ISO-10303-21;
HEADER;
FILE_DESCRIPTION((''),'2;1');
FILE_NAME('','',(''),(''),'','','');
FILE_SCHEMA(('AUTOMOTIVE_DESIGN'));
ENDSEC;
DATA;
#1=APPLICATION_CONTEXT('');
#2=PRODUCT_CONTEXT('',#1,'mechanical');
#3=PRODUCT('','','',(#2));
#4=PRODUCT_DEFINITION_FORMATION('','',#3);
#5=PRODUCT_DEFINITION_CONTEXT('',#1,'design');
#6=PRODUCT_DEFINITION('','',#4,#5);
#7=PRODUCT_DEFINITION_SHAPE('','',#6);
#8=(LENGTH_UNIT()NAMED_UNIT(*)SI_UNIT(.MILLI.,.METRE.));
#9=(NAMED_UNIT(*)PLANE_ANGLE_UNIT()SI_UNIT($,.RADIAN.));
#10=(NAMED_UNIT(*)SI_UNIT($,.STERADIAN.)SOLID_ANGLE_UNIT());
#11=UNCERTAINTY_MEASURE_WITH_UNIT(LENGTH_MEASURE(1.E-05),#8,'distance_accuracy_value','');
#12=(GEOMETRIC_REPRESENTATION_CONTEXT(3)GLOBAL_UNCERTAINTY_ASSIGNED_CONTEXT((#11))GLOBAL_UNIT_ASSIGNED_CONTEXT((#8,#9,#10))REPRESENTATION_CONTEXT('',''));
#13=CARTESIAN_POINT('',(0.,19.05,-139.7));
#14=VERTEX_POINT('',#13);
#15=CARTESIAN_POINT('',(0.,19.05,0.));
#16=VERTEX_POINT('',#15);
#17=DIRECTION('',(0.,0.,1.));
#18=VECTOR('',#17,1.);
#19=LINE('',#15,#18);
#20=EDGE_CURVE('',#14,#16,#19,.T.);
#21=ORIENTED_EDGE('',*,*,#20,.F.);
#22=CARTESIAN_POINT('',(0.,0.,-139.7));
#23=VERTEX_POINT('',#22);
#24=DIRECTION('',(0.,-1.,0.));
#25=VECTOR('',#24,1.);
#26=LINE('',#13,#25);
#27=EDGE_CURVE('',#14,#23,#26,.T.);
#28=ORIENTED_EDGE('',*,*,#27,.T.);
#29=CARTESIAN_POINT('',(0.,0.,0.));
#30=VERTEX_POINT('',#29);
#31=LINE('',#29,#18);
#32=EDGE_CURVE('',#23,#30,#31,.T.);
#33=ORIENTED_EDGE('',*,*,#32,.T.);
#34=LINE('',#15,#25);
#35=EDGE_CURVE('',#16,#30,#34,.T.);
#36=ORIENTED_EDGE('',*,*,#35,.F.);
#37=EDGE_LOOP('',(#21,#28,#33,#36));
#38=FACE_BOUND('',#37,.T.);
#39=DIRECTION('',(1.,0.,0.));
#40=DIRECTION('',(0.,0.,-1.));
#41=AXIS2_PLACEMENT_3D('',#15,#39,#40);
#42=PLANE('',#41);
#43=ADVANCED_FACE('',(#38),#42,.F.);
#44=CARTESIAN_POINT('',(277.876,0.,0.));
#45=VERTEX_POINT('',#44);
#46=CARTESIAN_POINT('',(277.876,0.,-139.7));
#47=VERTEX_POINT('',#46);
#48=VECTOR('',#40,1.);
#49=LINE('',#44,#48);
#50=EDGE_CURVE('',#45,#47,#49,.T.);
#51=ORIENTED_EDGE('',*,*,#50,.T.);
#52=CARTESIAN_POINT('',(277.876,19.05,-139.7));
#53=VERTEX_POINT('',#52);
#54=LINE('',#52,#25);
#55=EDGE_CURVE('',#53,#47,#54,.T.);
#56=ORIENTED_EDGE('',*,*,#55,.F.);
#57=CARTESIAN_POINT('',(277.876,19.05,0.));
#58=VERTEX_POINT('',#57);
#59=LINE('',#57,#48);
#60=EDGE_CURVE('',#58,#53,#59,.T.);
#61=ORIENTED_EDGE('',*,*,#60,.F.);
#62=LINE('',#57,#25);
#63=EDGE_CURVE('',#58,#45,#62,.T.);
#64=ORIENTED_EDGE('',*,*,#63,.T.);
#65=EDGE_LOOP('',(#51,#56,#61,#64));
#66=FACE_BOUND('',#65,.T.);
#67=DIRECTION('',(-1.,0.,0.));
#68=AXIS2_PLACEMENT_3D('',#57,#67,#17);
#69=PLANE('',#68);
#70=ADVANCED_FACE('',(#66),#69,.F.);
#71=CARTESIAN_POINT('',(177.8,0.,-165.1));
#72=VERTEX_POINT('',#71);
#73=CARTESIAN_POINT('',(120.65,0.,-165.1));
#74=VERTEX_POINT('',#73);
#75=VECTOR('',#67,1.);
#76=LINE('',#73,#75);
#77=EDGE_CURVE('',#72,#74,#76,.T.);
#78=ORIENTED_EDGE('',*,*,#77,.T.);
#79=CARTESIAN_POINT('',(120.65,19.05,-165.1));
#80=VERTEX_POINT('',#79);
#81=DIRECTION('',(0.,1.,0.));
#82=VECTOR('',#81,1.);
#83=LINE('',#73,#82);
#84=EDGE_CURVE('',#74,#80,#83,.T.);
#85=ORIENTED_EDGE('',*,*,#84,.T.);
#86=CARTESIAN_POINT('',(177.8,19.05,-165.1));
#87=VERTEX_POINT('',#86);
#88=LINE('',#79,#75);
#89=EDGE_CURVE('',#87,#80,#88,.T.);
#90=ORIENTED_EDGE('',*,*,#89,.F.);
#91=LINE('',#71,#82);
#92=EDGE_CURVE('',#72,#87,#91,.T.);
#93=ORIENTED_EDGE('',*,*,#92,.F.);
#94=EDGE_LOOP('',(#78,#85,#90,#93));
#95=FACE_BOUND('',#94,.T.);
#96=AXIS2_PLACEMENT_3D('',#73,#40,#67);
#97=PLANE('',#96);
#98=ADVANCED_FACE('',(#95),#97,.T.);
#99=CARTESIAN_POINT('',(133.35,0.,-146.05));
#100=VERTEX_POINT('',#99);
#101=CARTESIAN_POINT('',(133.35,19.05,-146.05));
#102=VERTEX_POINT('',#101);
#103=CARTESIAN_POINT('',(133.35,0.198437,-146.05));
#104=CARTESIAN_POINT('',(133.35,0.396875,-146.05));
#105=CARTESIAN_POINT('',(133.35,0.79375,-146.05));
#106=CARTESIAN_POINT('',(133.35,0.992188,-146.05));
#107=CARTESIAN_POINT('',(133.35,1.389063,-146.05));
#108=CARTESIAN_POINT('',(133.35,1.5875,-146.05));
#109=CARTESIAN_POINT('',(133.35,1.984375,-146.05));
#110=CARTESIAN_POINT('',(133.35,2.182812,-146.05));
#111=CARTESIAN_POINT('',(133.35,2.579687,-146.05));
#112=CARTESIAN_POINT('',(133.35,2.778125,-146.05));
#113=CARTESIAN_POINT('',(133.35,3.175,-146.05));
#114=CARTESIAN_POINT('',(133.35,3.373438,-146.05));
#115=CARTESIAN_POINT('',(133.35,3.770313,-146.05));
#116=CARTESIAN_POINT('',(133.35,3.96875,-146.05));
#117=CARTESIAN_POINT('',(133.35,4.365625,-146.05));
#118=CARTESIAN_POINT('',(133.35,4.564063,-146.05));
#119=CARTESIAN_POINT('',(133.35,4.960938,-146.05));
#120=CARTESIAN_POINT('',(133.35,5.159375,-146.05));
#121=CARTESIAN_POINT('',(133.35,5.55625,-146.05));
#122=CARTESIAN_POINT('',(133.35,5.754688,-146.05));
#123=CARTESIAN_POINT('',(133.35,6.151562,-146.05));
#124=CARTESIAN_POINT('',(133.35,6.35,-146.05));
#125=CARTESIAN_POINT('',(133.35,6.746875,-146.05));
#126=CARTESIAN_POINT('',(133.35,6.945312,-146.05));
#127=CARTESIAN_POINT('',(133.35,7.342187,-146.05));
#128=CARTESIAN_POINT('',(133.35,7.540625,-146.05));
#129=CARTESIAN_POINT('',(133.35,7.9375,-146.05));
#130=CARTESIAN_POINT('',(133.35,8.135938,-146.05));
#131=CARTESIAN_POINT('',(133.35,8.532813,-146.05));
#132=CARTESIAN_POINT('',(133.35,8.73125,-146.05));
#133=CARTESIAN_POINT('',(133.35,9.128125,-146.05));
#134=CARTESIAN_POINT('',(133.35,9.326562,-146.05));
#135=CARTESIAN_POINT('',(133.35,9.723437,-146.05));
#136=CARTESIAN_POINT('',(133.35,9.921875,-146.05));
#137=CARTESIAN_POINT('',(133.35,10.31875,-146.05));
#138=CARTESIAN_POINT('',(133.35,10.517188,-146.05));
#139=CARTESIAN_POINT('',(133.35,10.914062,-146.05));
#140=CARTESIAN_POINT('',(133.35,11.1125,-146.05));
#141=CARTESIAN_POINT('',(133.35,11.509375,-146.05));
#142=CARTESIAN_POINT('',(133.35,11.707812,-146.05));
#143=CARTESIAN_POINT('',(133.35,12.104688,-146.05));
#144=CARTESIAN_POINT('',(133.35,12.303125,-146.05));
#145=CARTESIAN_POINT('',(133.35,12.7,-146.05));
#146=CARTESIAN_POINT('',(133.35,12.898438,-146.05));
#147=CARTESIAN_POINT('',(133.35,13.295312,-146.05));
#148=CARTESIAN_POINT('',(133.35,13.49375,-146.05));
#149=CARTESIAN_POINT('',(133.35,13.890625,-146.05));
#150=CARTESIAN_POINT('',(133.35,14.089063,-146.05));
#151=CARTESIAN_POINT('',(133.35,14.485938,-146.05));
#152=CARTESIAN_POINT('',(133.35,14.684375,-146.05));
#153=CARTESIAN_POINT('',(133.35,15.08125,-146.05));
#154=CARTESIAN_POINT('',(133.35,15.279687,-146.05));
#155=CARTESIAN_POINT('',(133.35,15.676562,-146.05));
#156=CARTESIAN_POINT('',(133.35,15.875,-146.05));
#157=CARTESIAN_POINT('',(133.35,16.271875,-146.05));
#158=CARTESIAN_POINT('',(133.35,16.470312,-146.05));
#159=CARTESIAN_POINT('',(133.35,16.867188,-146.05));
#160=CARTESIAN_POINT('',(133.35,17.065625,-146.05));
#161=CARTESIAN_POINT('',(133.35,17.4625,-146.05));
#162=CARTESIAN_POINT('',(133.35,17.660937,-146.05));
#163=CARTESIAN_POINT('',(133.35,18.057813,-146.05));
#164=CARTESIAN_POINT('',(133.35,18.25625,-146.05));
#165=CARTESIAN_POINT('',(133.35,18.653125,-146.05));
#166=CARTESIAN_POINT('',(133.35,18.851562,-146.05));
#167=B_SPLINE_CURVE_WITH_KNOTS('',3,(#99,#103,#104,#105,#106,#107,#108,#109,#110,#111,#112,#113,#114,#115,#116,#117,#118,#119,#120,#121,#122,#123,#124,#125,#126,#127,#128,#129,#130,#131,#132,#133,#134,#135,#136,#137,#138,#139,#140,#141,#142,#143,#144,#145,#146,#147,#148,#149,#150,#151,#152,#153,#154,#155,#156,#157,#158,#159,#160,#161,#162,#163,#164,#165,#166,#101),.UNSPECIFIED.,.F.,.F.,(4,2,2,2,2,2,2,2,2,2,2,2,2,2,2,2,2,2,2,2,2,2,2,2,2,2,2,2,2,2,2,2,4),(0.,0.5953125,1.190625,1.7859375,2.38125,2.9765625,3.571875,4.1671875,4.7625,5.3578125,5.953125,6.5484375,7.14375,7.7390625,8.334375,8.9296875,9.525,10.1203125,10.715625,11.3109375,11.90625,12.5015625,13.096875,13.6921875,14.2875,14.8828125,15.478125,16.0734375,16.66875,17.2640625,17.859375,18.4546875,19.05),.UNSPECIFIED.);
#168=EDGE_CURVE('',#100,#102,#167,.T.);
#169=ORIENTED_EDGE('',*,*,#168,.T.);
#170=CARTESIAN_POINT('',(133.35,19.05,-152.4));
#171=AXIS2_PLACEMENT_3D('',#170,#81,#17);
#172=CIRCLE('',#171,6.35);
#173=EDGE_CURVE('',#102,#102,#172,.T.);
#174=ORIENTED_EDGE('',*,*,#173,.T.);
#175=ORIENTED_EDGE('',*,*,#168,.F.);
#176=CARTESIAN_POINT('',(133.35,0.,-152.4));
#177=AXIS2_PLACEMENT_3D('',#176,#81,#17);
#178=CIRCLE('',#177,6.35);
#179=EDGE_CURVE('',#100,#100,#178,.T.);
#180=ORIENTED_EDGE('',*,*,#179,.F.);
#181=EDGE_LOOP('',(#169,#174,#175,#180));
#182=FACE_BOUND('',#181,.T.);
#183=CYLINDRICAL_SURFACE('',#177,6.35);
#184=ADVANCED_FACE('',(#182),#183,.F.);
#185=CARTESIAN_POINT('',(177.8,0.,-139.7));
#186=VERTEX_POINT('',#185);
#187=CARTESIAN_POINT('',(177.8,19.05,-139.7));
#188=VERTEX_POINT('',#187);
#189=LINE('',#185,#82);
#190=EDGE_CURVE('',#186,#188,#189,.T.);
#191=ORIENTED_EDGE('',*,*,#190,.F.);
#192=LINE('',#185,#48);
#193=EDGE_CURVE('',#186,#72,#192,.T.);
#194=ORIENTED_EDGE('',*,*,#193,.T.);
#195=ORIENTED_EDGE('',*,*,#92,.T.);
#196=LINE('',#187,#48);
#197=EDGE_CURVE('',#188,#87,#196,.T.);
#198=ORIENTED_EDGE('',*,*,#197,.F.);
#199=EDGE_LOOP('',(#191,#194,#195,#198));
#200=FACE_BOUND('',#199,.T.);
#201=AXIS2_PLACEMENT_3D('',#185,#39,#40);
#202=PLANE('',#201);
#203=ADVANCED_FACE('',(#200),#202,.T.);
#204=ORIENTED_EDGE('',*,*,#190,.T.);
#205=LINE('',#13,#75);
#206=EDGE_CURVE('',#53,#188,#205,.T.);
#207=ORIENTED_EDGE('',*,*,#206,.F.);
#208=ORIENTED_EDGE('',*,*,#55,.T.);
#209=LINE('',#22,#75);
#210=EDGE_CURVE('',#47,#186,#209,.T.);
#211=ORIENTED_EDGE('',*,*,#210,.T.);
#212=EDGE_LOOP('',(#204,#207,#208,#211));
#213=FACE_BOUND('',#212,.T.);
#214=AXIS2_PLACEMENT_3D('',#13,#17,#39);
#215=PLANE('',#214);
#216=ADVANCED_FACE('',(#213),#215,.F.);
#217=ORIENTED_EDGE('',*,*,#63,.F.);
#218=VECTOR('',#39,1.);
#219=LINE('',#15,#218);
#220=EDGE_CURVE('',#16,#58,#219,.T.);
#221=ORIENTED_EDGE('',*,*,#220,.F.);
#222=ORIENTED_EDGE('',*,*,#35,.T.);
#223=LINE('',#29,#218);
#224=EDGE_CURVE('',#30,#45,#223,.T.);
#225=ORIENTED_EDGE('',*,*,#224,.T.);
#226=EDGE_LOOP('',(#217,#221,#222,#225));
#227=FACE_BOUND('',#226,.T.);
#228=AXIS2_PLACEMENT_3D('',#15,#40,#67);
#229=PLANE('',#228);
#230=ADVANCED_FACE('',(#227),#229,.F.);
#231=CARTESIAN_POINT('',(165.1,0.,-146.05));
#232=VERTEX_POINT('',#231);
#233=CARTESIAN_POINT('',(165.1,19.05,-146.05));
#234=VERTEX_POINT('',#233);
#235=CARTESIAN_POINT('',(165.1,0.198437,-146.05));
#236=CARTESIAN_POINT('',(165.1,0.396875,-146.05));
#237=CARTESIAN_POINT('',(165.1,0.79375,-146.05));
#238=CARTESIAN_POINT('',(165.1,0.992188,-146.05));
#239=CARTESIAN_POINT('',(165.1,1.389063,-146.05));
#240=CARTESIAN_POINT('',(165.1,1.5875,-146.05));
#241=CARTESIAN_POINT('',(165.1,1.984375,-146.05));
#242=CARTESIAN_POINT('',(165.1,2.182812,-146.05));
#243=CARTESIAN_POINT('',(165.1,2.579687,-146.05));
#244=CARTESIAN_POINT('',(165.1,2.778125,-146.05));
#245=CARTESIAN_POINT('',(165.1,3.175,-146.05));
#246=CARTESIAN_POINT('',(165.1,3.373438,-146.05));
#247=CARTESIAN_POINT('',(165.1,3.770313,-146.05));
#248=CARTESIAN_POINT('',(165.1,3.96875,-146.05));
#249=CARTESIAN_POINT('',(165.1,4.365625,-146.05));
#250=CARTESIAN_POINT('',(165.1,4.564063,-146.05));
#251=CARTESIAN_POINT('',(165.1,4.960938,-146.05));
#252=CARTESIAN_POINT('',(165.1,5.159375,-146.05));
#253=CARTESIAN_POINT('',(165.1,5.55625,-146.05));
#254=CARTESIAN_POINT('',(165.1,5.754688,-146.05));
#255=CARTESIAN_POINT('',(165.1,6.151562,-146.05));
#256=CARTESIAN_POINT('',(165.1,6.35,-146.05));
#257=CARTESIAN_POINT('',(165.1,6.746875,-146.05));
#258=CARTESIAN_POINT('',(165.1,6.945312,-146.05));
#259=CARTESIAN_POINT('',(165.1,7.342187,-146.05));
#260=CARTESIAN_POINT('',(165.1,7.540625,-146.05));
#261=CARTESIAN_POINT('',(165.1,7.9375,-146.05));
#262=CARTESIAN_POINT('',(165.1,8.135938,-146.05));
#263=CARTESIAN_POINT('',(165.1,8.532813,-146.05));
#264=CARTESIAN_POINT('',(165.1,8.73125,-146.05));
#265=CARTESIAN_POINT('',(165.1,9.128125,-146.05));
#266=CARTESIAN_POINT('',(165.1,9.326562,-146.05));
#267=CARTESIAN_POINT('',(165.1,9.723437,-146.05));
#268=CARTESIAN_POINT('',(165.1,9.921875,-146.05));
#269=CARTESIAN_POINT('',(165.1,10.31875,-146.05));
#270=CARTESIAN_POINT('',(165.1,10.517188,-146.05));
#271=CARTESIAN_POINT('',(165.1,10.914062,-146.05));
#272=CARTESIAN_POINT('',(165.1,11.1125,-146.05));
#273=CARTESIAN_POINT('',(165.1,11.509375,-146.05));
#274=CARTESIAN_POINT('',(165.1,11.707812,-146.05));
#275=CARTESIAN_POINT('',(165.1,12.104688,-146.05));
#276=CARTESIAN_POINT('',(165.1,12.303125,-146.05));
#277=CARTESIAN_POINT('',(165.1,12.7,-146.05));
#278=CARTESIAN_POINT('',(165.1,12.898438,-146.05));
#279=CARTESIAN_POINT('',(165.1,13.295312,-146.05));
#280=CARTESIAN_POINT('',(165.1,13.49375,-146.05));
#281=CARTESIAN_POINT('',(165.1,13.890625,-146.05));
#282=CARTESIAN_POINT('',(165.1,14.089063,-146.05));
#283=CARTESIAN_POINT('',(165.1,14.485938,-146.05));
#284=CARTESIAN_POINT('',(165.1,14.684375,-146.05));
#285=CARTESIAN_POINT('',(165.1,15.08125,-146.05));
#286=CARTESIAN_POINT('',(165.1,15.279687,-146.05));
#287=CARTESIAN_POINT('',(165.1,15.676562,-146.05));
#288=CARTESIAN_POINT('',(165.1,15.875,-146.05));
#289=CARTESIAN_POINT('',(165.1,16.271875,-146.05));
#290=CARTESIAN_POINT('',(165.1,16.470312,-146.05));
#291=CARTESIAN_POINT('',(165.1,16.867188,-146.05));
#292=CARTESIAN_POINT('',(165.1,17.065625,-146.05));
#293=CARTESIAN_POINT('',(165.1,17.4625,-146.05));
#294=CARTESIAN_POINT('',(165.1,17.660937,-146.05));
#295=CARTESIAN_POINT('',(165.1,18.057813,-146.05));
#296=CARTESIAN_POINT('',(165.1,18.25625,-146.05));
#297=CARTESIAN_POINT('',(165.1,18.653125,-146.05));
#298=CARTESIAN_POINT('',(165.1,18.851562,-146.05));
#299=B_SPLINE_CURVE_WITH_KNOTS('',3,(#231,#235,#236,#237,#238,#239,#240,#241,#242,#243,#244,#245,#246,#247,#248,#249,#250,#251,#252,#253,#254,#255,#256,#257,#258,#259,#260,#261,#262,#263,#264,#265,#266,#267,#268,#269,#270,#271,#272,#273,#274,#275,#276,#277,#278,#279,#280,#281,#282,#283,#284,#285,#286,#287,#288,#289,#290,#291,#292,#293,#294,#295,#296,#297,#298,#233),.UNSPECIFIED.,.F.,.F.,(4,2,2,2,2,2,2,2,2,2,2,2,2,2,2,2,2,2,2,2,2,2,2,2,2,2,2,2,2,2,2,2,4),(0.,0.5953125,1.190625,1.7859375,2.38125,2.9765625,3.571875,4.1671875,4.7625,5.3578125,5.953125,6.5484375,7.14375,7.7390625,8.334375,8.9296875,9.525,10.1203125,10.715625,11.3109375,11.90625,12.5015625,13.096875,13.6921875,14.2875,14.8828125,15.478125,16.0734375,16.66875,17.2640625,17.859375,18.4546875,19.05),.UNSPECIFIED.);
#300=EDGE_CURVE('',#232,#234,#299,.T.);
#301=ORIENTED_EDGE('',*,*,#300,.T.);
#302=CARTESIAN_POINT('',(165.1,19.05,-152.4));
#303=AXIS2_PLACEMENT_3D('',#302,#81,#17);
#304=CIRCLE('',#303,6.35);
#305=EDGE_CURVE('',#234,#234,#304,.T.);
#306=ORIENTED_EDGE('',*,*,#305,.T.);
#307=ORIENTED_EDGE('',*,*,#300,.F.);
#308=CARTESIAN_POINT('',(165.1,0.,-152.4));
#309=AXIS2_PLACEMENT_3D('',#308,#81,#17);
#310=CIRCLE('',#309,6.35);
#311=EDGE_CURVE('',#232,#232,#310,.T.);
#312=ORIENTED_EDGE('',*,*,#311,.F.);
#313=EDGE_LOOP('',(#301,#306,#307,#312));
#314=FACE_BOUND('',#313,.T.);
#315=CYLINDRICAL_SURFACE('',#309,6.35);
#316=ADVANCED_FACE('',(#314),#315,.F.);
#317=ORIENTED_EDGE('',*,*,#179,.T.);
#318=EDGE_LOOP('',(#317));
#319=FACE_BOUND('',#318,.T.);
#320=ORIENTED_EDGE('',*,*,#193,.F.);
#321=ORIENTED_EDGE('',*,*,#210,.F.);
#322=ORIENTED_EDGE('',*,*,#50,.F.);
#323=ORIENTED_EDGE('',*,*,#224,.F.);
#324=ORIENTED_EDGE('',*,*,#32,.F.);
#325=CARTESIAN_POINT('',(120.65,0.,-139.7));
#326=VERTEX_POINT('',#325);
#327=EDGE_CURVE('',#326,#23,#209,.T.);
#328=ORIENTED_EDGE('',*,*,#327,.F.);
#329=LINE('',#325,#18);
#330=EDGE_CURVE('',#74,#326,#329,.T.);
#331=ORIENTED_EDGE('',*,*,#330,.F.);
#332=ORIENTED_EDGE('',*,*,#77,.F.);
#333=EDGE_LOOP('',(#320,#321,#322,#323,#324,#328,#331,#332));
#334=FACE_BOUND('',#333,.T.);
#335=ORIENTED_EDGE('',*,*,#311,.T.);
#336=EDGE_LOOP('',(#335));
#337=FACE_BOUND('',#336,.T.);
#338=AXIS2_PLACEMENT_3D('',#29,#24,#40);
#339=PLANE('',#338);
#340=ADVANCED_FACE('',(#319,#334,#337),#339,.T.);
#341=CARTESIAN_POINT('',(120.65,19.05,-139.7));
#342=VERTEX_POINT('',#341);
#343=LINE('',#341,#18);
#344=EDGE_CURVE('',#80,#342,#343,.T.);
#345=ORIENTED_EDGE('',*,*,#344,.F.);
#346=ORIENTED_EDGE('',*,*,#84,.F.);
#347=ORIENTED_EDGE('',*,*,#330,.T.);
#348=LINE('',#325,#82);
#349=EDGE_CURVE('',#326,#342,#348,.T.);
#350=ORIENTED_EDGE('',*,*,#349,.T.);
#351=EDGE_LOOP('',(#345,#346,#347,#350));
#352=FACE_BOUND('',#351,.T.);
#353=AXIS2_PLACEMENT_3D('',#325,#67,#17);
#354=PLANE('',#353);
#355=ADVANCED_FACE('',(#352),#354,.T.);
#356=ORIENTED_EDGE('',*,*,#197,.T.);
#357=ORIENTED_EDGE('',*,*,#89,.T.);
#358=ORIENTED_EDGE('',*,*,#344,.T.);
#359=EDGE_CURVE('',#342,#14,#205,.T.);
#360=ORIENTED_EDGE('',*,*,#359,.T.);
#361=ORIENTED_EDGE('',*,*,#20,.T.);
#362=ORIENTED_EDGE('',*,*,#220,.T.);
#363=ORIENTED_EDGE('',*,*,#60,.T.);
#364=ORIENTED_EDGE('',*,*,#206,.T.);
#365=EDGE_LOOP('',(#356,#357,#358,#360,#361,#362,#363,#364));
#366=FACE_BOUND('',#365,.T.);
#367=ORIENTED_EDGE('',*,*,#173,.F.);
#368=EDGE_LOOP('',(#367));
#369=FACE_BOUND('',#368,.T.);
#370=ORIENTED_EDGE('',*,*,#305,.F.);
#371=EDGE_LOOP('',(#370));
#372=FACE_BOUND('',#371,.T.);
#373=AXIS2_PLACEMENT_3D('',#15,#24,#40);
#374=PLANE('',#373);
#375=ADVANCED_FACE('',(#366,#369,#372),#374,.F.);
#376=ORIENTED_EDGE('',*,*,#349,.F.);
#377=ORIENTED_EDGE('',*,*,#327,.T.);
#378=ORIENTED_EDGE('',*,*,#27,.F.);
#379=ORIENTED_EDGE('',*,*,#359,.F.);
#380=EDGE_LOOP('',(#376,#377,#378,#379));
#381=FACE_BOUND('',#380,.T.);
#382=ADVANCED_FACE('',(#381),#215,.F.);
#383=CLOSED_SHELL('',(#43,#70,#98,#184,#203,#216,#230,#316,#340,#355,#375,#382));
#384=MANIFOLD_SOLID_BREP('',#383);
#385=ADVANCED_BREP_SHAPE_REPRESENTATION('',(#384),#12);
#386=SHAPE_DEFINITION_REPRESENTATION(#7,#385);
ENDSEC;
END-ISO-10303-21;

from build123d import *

# Parameters (mm, degrees)
SKETCH1_W           = 277.876
SKETCH1_H           = 139.7
BOSS_EXTRUDE2_DEPTH = 19.05
SKETCH2_W           = 57.15
SKETCH2_H           = 25.4
SKETCH2_R           = 6.35
BOSS_EXTRUDE3_DEPTH = 19.05


with BuildPart() as part:
    # Sketch1 → Boss-Extrude2 (new body)
    with BuildSketch(Plane(origin=(0, 0, 0), x_dir=(1, 0, 0), z_dir=(0, 1, 0))):
        with Locations((138.938, 69.85)):
            Rectangle(SKETCH1_W, SKETCH1_H)
    extrude(amount=BOSS_EXTRUDE2_DEPTH)

    # Sketch2 → Boss-Extrude3 (add)
    with BuildSketch(Plane(origin=(0, 19.05, 0), x_dir=(1, 0, 0), z_dir=(0, 1, 0))):
        with Locations((149.225, 152.4)):
            Rectangle(SKETCH2_W, SKETCH2_H)
        with Locations(Location((133.35, 152.4, 0), (0, 0, 270))):
            Circle(SKETCH2_R, mode=Mode.SUBTRACT)
        with Locations(Location((165.1, 152.4, 0), (0, 0, 270))):
            Circle(SKETCH2_R, mode=Mode.SUBTRACT)
    extrude(amount=-BOSS_EXTRUDE3_DEPTH)


solid = part.part
